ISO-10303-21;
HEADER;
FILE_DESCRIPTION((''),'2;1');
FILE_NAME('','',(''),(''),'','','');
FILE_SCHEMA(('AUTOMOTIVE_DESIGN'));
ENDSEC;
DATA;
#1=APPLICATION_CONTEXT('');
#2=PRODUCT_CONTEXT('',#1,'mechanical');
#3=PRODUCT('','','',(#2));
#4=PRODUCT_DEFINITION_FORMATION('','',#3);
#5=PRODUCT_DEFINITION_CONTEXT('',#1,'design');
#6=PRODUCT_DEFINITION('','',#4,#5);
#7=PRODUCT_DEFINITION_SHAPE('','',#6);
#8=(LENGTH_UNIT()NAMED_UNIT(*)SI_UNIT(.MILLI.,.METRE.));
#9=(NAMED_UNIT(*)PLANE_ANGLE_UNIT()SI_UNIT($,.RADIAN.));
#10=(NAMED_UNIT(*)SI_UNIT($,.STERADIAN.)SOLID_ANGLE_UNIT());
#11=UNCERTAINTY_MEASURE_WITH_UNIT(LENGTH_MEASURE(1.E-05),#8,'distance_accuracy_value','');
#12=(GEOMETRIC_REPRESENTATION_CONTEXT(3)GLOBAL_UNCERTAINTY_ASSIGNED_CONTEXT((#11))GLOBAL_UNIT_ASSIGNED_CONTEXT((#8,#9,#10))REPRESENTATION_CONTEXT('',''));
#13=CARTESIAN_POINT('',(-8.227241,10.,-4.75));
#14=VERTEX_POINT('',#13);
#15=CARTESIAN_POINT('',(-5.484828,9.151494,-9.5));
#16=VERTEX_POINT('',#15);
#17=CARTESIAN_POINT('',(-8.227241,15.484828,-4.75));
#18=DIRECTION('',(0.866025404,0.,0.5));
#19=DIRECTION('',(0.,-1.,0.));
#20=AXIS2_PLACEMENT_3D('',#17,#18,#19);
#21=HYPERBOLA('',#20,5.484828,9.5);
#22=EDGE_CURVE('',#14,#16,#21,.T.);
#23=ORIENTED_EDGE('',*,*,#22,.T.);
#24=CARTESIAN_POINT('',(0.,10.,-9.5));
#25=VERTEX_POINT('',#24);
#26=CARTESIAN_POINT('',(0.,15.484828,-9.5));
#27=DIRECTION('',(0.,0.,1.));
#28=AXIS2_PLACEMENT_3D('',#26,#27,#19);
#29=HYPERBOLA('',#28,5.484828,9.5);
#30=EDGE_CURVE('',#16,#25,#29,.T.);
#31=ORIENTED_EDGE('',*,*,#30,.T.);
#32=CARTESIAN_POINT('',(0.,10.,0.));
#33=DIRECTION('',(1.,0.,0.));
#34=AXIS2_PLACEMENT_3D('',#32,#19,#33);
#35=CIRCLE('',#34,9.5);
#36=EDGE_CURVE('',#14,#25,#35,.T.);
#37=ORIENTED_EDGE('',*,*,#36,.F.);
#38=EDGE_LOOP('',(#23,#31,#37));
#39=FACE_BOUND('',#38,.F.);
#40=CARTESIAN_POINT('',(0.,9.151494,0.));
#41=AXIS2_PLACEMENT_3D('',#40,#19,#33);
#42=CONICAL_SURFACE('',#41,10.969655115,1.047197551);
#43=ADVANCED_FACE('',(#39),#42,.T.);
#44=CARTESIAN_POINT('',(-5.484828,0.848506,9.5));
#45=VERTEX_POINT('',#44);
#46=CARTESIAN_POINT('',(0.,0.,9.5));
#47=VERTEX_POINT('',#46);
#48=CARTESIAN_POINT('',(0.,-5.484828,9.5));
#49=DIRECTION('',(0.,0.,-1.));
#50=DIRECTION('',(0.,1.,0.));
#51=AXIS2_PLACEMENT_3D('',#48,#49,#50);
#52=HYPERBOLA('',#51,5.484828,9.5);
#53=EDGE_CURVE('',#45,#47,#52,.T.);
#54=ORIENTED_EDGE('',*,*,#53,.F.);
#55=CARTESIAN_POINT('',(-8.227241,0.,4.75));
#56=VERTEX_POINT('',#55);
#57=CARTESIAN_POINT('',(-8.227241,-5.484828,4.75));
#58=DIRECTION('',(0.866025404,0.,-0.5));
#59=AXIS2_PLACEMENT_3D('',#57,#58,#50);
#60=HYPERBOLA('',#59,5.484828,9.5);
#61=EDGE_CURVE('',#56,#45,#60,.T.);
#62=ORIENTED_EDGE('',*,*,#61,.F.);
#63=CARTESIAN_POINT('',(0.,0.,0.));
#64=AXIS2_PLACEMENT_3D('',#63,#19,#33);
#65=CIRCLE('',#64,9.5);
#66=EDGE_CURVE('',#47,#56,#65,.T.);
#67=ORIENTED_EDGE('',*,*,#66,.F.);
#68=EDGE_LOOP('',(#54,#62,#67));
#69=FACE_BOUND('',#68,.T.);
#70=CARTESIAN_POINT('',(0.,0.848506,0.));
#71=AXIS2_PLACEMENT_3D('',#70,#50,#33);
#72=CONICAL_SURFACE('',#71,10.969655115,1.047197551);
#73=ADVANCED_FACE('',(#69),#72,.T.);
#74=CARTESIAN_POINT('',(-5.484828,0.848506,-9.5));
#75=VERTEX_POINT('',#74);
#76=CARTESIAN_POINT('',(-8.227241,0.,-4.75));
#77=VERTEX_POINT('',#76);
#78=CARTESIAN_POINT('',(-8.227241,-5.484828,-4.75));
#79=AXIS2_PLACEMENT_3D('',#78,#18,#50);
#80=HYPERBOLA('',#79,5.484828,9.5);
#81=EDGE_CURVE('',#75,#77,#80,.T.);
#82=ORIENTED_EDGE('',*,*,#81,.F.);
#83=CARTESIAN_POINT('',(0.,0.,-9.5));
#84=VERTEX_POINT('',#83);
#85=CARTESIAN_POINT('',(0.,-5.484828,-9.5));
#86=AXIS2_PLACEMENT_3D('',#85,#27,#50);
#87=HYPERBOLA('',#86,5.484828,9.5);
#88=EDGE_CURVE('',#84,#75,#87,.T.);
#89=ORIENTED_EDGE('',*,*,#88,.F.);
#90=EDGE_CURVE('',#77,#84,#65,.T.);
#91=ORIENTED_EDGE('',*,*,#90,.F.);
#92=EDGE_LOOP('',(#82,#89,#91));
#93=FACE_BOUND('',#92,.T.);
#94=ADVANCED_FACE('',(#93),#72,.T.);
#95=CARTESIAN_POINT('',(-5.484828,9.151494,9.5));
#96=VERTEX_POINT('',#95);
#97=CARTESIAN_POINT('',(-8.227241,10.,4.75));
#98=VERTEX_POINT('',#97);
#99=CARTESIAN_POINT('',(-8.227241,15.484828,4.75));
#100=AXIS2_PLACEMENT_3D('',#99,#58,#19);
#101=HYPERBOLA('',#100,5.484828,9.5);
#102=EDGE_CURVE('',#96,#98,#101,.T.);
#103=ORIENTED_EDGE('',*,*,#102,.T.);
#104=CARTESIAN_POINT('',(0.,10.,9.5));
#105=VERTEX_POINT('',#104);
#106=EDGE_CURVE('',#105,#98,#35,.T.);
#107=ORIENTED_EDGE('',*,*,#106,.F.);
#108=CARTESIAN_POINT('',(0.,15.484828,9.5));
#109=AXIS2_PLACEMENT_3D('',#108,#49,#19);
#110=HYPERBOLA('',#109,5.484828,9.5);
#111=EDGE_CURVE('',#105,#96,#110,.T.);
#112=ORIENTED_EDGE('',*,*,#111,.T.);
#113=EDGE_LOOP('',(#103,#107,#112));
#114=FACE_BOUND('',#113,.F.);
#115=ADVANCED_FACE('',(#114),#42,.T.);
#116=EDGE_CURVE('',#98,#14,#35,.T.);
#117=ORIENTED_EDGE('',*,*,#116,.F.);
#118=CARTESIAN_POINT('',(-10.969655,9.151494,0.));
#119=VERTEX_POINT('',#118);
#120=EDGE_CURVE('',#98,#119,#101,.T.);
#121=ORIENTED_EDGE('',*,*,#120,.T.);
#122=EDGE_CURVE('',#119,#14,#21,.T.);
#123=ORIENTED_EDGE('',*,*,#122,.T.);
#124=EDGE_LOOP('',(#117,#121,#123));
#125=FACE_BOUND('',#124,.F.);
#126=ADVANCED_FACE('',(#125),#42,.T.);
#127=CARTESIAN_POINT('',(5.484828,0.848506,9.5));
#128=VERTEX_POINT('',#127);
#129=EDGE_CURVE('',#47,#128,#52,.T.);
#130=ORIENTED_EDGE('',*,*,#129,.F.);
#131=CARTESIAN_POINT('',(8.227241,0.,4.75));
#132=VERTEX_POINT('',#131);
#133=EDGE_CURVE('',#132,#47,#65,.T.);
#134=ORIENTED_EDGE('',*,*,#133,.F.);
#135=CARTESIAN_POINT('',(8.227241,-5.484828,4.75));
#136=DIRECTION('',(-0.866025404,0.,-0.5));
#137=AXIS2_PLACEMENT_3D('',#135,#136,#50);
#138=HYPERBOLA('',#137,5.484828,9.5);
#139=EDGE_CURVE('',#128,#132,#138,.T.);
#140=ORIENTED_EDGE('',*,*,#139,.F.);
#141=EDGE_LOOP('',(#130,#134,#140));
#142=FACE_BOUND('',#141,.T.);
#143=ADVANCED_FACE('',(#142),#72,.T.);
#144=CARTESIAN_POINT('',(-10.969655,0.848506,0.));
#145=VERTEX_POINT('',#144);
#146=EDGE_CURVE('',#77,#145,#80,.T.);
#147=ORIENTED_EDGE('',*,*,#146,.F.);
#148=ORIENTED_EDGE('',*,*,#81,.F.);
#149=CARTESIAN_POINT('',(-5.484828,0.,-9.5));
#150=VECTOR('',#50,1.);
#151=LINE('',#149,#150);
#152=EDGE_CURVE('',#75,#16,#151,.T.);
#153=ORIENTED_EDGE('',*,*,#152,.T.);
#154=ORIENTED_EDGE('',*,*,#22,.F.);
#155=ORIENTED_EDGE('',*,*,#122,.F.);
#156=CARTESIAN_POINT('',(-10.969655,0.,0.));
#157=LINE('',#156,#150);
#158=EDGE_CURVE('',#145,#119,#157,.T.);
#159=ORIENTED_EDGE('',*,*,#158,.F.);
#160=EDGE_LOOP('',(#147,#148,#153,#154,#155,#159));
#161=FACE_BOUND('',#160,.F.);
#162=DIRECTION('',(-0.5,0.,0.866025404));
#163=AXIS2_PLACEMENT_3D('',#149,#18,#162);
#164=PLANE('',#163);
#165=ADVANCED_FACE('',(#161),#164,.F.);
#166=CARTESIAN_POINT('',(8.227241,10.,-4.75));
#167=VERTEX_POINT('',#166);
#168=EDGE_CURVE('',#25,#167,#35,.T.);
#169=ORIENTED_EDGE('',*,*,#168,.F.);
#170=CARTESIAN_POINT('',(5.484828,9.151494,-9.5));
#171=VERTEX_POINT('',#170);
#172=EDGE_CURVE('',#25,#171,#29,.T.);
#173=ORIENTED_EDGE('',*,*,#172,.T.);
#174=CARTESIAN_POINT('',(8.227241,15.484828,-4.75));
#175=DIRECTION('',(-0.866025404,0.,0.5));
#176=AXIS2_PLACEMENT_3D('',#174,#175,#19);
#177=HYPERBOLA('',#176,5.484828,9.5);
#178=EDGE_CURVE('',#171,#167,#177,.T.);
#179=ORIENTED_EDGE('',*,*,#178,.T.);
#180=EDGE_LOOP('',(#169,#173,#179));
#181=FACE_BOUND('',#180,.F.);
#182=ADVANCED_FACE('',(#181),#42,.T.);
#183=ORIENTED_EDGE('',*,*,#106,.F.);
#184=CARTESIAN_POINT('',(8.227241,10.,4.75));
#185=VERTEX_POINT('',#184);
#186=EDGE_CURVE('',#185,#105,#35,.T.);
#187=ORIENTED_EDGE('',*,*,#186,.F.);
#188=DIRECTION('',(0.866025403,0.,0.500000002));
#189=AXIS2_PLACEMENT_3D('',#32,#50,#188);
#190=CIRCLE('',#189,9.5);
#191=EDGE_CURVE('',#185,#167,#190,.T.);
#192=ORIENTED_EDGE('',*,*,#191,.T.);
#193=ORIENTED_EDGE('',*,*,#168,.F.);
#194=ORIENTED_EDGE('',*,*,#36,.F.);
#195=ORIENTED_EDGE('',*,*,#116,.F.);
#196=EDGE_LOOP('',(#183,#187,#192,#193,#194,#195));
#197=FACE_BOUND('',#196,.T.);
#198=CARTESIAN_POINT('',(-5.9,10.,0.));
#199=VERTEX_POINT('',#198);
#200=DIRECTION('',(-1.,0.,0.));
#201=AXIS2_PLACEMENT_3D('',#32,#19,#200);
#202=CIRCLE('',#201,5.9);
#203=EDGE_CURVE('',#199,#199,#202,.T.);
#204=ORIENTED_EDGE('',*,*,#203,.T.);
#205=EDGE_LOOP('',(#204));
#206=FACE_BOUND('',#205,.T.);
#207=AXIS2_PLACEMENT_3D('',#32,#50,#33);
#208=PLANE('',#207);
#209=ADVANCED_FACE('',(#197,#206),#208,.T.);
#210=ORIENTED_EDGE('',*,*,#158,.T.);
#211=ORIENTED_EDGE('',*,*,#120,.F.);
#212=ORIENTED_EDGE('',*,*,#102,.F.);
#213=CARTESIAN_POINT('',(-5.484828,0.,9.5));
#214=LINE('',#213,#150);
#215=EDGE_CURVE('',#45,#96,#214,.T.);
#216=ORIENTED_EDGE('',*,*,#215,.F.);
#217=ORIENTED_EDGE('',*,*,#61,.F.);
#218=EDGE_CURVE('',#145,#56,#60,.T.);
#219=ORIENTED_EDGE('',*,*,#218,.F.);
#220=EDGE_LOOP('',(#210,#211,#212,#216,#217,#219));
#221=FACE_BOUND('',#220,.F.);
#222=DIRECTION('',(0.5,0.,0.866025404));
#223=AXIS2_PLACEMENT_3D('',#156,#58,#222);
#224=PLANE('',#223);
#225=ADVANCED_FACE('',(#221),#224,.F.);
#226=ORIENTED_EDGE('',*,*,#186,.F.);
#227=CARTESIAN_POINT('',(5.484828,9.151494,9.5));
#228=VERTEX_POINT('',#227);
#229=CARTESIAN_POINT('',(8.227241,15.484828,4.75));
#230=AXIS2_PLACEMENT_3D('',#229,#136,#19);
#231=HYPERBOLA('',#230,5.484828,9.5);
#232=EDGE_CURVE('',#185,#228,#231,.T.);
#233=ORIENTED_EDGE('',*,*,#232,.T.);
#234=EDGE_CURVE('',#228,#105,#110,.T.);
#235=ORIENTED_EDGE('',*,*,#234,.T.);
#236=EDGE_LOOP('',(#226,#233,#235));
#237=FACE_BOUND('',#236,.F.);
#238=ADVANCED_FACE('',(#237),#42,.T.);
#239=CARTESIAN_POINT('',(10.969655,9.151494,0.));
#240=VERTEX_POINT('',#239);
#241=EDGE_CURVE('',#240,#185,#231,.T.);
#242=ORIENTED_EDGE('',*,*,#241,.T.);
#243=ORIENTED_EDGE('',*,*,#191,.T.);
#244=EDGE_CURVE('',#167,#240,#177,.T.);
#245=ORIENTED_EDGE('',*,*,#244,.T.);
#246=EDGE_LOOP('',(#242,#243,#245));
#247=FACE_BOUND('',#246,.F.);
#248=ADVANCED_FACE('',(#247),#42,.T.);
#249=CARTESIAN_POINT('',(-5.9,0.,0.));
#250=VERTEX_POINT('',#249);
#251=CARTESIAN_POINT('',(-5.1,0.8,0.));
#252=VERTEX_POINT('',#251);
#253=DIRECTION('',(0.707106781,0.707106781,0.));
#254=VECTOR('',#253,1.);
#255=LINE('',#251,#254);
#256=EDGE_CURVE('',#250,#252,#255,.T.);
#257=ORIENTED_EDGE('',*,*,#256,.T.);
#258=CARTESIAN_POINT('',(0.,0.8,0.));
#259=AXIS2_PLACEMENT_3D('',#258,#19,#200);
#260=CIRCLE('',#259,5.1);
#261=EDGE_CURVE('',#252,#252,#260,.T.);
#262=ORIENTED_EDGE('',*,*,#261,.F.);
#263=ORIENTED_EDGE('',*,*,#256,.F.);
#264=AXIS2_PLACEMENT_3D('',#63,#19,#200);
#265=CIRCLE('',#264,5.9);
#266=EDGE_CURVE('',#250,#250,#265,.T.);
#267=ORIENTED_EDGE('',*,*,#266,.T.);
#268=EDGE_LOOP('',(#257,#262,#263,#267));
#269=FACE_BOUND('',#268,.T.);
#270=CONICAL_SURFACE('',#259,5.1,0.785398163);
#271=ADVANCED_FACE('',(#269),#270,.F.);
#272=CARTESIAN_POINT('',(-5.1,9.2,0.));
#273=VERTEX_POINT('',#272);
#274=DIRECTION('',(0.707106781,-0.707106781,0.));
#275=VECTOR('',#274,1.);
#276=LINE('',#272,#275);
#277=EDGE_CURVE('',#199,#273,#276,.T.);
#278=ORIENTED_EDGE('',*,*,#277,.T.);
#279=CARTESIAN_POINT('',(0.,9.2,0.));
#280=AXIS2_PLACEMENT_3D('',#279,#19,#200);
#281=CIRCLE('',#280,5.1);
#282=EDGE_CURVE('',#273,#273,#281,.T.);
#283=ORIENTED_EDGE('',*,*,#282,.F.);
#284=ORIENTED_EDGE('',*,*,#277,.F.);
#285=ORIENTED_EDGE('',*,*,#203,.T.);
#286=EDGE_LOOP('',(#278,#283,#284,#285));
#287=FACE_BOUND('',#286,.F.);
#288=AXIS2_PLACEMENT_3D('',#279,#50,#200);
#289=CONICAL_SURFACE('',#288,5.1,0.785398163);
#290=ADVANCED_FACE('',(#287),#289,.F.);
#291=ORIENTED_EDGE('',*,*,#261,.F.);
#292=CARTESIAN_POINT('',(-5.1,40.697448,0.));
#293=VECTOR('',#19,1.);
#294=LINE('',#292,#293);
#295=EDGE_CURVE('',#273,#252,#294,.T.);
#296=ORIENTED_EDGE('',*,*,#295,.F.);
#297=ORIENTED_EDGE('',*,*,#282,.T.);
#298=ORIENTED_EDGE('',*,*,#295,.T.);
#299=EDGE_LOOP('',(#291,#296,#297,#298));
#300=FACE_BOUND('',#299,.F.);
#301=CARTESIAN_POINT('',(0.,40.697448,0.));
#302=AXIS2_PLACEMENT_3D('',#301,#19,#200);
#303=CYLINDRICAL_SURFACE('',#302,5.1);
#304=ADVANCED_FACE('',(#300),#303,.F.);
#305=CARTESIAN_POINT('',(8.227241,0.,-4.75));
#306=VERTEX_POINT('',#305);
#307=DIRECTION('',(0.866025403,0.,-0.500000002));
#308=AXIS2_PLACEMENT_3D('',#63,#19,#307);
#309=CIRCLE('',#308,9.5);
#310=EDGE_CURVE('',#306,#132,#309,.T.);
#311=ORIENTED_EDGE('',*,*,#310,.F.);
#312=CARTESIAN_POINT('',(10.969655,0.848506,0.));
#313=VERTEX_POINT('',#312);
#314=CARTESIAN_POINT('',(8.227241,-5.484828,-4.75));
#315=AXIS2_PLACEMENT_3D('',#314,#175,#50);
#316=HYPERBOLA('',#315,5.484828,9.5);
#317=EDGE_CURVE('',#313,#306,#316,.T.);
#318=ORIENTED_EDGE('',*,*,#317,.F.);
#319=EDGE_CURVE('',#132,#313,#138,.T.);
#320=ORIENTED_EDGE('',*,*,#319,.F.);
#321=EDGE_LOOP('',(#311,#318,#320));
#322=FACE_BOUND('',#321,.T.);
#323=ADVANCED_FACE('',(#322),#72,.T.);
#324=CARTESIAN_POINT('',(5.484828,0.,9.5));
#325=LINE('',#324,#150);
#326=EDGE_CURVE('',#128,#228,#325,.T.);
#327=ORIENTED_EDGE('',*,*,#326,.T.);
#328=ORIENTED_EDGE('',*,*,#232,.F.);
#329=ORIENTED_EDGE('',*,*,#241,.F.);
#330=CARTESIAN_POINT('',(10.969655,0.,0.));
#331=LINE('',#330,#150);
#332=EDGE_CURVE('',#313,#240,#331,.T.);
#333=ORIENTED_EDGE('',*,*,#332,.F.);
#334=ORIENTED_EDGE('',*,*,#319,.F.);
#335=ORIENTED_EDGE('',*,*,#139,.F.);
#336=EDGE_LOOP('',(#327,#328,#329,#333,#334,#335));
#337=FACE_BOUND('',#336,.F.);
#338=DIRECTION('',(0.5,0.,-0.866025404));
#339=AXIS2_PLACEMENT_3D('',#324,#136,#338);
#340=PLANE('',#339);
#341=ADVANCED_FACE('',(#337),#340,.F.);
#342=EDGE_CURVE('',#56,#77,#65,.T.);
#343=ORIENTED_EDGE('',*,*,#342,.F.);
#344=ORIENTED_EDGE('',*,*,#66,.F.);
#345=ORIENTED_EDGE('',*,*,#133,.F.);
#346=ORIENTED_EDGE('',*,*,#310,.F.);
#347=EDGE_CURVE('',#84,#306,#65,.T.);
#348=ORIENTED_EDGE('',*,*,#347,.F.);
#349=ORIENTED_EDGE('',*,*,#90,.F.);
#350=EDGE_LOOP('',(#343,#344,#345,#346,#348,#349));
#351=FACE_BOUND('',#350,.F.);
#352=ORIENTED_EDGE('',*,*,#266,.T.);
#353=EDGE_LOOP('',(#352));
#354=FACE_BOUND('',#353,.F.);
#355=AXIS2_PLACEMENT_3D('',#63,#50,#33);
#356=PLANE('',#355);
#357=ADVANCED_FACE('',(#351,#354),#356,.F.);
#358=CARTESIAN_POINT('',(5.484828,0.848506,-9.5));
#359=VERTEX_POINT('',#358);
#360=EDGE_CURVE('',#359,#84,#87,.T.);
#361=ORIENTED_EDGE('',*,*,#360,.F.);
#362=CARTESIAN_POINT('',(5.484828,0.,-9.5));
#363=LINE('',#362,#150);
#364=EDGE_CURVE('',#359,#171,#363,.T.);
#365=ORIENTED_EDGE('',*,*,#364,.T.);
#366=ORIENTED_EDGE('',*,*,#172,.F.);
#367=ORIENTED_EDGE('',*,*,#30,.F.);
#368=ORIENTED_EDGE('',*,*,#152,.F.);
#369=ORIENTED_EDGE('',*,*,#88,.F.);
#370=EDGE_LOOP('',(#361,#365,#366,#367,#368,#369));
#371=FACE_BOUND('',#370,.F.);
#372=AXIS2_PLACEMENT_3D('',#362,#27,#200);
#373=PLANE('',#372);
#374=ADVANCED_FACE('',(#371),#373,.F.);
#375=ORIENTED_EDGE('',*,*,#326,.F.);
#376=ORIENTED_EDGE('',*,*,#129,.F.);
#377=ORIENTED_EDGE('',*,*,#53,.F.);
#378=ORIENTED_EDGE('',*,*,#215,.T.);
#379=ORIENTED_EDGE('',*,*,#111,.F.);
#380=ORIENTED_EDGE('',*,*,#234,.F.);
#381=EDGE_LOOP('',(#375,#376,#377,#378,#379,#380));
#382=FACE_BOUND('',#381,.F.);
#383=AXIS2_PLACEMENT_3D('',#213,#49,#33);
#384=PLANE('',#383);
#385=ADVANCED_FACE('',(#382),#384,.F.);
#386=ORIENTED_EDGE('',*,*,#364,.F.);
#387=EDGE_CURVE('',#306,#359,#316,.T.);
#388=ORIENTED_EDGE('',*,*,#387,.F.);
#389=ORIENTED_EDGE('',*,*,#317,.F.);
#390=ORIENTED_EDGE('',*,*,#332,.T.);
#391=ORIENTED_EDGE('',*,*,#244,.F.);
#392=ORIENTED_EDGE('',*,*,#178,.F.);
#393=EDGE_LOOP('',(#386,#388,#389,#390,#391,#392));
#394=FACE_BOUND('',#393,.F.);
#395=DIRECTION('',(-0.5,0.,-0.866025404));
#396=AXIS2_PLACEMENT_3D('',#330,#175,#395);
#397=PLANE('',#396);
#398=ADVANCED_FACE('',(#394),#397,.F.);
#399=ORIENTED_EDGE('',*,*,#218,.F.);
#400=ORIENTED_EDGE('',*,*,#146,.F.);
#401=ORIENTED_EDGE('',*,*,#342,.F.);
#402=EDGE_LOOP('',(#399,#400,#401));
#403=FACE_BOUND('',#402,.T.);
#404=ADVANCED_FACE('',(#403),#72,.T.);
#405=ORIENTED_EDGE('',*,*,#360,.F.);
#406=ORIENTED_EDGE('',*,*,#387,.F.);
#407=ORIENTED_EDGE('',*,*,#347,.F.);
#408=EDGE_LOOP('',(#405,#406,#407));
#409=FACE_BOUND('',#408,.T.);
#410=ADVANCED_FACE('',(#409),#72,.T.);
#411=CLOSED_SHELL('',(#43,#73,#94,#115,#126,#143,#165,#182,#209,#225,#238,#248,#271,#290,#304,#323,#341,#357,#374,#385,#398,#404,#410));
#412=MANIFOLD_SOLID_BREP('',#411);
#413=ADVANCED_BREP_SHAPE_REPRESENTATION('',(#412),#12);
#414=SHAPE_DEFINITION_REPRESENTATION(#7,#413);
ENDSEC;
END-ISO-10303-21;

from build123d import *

# Parameters (mm, degrees)
BOSS_EXTRUDE1_DEPTH = 10
M12_TAPPED_HOLE1_D  = 10.2
CHAMFER1_SIZE       = 0.8


with BuildPart() as part:
    # Sketch1 → Boss-Extrude1 (new body)
    with BuildSketch(Plane(origin=(0, 0, 0), x_dir=(1, 0, 0), z_dir=(0, 1, 0))):
        Polygon((5.484827557, 9.5), (-5.484827557, 9.5), (-10.969655115, 0), (-5.484827557, -9.5), (5.484827557, -9.5), (10.969655115, 0), align=None)
    extrude(amount=BOSS_EXTRUDE1_DEPTH)

    # Sketch3 → Cut-Revolve1 (revolve, cut)
    with BuildSketch(Plane.XY):
        Polygon((9.5, 10), (10.969655115, 10), (10.969655115, 9.151494224), align=None)
        Polygon((10.969655115, 0.848505776), (9.5, 0), (10.969655115, 0), align=None)
    revolve(axis=Axis((0, 10, 0), (0, -1, 0)), mode=Mode.SUBTRACT)

    # M12 Tapped Hole1 (through all)
    with Locations(Plane(origin=(0, 10, 0), x_dir=(1, 0, 0), z_dir=(0, 1, 0))):
        with Locations((0, 0)):
            Hole(M12_TAPPED_HOLE1_D / 2)

    # Chamfer1
    chamfer1_edges = [part.edges().sort_by_distance(p)[0] for p in [
        (5.1, 10, 0),
        (5.1, 0, 0),
    ]]
    chamfer(chamfer1_edges, length=CHAMFER1_SIZE)


solid = part.part
